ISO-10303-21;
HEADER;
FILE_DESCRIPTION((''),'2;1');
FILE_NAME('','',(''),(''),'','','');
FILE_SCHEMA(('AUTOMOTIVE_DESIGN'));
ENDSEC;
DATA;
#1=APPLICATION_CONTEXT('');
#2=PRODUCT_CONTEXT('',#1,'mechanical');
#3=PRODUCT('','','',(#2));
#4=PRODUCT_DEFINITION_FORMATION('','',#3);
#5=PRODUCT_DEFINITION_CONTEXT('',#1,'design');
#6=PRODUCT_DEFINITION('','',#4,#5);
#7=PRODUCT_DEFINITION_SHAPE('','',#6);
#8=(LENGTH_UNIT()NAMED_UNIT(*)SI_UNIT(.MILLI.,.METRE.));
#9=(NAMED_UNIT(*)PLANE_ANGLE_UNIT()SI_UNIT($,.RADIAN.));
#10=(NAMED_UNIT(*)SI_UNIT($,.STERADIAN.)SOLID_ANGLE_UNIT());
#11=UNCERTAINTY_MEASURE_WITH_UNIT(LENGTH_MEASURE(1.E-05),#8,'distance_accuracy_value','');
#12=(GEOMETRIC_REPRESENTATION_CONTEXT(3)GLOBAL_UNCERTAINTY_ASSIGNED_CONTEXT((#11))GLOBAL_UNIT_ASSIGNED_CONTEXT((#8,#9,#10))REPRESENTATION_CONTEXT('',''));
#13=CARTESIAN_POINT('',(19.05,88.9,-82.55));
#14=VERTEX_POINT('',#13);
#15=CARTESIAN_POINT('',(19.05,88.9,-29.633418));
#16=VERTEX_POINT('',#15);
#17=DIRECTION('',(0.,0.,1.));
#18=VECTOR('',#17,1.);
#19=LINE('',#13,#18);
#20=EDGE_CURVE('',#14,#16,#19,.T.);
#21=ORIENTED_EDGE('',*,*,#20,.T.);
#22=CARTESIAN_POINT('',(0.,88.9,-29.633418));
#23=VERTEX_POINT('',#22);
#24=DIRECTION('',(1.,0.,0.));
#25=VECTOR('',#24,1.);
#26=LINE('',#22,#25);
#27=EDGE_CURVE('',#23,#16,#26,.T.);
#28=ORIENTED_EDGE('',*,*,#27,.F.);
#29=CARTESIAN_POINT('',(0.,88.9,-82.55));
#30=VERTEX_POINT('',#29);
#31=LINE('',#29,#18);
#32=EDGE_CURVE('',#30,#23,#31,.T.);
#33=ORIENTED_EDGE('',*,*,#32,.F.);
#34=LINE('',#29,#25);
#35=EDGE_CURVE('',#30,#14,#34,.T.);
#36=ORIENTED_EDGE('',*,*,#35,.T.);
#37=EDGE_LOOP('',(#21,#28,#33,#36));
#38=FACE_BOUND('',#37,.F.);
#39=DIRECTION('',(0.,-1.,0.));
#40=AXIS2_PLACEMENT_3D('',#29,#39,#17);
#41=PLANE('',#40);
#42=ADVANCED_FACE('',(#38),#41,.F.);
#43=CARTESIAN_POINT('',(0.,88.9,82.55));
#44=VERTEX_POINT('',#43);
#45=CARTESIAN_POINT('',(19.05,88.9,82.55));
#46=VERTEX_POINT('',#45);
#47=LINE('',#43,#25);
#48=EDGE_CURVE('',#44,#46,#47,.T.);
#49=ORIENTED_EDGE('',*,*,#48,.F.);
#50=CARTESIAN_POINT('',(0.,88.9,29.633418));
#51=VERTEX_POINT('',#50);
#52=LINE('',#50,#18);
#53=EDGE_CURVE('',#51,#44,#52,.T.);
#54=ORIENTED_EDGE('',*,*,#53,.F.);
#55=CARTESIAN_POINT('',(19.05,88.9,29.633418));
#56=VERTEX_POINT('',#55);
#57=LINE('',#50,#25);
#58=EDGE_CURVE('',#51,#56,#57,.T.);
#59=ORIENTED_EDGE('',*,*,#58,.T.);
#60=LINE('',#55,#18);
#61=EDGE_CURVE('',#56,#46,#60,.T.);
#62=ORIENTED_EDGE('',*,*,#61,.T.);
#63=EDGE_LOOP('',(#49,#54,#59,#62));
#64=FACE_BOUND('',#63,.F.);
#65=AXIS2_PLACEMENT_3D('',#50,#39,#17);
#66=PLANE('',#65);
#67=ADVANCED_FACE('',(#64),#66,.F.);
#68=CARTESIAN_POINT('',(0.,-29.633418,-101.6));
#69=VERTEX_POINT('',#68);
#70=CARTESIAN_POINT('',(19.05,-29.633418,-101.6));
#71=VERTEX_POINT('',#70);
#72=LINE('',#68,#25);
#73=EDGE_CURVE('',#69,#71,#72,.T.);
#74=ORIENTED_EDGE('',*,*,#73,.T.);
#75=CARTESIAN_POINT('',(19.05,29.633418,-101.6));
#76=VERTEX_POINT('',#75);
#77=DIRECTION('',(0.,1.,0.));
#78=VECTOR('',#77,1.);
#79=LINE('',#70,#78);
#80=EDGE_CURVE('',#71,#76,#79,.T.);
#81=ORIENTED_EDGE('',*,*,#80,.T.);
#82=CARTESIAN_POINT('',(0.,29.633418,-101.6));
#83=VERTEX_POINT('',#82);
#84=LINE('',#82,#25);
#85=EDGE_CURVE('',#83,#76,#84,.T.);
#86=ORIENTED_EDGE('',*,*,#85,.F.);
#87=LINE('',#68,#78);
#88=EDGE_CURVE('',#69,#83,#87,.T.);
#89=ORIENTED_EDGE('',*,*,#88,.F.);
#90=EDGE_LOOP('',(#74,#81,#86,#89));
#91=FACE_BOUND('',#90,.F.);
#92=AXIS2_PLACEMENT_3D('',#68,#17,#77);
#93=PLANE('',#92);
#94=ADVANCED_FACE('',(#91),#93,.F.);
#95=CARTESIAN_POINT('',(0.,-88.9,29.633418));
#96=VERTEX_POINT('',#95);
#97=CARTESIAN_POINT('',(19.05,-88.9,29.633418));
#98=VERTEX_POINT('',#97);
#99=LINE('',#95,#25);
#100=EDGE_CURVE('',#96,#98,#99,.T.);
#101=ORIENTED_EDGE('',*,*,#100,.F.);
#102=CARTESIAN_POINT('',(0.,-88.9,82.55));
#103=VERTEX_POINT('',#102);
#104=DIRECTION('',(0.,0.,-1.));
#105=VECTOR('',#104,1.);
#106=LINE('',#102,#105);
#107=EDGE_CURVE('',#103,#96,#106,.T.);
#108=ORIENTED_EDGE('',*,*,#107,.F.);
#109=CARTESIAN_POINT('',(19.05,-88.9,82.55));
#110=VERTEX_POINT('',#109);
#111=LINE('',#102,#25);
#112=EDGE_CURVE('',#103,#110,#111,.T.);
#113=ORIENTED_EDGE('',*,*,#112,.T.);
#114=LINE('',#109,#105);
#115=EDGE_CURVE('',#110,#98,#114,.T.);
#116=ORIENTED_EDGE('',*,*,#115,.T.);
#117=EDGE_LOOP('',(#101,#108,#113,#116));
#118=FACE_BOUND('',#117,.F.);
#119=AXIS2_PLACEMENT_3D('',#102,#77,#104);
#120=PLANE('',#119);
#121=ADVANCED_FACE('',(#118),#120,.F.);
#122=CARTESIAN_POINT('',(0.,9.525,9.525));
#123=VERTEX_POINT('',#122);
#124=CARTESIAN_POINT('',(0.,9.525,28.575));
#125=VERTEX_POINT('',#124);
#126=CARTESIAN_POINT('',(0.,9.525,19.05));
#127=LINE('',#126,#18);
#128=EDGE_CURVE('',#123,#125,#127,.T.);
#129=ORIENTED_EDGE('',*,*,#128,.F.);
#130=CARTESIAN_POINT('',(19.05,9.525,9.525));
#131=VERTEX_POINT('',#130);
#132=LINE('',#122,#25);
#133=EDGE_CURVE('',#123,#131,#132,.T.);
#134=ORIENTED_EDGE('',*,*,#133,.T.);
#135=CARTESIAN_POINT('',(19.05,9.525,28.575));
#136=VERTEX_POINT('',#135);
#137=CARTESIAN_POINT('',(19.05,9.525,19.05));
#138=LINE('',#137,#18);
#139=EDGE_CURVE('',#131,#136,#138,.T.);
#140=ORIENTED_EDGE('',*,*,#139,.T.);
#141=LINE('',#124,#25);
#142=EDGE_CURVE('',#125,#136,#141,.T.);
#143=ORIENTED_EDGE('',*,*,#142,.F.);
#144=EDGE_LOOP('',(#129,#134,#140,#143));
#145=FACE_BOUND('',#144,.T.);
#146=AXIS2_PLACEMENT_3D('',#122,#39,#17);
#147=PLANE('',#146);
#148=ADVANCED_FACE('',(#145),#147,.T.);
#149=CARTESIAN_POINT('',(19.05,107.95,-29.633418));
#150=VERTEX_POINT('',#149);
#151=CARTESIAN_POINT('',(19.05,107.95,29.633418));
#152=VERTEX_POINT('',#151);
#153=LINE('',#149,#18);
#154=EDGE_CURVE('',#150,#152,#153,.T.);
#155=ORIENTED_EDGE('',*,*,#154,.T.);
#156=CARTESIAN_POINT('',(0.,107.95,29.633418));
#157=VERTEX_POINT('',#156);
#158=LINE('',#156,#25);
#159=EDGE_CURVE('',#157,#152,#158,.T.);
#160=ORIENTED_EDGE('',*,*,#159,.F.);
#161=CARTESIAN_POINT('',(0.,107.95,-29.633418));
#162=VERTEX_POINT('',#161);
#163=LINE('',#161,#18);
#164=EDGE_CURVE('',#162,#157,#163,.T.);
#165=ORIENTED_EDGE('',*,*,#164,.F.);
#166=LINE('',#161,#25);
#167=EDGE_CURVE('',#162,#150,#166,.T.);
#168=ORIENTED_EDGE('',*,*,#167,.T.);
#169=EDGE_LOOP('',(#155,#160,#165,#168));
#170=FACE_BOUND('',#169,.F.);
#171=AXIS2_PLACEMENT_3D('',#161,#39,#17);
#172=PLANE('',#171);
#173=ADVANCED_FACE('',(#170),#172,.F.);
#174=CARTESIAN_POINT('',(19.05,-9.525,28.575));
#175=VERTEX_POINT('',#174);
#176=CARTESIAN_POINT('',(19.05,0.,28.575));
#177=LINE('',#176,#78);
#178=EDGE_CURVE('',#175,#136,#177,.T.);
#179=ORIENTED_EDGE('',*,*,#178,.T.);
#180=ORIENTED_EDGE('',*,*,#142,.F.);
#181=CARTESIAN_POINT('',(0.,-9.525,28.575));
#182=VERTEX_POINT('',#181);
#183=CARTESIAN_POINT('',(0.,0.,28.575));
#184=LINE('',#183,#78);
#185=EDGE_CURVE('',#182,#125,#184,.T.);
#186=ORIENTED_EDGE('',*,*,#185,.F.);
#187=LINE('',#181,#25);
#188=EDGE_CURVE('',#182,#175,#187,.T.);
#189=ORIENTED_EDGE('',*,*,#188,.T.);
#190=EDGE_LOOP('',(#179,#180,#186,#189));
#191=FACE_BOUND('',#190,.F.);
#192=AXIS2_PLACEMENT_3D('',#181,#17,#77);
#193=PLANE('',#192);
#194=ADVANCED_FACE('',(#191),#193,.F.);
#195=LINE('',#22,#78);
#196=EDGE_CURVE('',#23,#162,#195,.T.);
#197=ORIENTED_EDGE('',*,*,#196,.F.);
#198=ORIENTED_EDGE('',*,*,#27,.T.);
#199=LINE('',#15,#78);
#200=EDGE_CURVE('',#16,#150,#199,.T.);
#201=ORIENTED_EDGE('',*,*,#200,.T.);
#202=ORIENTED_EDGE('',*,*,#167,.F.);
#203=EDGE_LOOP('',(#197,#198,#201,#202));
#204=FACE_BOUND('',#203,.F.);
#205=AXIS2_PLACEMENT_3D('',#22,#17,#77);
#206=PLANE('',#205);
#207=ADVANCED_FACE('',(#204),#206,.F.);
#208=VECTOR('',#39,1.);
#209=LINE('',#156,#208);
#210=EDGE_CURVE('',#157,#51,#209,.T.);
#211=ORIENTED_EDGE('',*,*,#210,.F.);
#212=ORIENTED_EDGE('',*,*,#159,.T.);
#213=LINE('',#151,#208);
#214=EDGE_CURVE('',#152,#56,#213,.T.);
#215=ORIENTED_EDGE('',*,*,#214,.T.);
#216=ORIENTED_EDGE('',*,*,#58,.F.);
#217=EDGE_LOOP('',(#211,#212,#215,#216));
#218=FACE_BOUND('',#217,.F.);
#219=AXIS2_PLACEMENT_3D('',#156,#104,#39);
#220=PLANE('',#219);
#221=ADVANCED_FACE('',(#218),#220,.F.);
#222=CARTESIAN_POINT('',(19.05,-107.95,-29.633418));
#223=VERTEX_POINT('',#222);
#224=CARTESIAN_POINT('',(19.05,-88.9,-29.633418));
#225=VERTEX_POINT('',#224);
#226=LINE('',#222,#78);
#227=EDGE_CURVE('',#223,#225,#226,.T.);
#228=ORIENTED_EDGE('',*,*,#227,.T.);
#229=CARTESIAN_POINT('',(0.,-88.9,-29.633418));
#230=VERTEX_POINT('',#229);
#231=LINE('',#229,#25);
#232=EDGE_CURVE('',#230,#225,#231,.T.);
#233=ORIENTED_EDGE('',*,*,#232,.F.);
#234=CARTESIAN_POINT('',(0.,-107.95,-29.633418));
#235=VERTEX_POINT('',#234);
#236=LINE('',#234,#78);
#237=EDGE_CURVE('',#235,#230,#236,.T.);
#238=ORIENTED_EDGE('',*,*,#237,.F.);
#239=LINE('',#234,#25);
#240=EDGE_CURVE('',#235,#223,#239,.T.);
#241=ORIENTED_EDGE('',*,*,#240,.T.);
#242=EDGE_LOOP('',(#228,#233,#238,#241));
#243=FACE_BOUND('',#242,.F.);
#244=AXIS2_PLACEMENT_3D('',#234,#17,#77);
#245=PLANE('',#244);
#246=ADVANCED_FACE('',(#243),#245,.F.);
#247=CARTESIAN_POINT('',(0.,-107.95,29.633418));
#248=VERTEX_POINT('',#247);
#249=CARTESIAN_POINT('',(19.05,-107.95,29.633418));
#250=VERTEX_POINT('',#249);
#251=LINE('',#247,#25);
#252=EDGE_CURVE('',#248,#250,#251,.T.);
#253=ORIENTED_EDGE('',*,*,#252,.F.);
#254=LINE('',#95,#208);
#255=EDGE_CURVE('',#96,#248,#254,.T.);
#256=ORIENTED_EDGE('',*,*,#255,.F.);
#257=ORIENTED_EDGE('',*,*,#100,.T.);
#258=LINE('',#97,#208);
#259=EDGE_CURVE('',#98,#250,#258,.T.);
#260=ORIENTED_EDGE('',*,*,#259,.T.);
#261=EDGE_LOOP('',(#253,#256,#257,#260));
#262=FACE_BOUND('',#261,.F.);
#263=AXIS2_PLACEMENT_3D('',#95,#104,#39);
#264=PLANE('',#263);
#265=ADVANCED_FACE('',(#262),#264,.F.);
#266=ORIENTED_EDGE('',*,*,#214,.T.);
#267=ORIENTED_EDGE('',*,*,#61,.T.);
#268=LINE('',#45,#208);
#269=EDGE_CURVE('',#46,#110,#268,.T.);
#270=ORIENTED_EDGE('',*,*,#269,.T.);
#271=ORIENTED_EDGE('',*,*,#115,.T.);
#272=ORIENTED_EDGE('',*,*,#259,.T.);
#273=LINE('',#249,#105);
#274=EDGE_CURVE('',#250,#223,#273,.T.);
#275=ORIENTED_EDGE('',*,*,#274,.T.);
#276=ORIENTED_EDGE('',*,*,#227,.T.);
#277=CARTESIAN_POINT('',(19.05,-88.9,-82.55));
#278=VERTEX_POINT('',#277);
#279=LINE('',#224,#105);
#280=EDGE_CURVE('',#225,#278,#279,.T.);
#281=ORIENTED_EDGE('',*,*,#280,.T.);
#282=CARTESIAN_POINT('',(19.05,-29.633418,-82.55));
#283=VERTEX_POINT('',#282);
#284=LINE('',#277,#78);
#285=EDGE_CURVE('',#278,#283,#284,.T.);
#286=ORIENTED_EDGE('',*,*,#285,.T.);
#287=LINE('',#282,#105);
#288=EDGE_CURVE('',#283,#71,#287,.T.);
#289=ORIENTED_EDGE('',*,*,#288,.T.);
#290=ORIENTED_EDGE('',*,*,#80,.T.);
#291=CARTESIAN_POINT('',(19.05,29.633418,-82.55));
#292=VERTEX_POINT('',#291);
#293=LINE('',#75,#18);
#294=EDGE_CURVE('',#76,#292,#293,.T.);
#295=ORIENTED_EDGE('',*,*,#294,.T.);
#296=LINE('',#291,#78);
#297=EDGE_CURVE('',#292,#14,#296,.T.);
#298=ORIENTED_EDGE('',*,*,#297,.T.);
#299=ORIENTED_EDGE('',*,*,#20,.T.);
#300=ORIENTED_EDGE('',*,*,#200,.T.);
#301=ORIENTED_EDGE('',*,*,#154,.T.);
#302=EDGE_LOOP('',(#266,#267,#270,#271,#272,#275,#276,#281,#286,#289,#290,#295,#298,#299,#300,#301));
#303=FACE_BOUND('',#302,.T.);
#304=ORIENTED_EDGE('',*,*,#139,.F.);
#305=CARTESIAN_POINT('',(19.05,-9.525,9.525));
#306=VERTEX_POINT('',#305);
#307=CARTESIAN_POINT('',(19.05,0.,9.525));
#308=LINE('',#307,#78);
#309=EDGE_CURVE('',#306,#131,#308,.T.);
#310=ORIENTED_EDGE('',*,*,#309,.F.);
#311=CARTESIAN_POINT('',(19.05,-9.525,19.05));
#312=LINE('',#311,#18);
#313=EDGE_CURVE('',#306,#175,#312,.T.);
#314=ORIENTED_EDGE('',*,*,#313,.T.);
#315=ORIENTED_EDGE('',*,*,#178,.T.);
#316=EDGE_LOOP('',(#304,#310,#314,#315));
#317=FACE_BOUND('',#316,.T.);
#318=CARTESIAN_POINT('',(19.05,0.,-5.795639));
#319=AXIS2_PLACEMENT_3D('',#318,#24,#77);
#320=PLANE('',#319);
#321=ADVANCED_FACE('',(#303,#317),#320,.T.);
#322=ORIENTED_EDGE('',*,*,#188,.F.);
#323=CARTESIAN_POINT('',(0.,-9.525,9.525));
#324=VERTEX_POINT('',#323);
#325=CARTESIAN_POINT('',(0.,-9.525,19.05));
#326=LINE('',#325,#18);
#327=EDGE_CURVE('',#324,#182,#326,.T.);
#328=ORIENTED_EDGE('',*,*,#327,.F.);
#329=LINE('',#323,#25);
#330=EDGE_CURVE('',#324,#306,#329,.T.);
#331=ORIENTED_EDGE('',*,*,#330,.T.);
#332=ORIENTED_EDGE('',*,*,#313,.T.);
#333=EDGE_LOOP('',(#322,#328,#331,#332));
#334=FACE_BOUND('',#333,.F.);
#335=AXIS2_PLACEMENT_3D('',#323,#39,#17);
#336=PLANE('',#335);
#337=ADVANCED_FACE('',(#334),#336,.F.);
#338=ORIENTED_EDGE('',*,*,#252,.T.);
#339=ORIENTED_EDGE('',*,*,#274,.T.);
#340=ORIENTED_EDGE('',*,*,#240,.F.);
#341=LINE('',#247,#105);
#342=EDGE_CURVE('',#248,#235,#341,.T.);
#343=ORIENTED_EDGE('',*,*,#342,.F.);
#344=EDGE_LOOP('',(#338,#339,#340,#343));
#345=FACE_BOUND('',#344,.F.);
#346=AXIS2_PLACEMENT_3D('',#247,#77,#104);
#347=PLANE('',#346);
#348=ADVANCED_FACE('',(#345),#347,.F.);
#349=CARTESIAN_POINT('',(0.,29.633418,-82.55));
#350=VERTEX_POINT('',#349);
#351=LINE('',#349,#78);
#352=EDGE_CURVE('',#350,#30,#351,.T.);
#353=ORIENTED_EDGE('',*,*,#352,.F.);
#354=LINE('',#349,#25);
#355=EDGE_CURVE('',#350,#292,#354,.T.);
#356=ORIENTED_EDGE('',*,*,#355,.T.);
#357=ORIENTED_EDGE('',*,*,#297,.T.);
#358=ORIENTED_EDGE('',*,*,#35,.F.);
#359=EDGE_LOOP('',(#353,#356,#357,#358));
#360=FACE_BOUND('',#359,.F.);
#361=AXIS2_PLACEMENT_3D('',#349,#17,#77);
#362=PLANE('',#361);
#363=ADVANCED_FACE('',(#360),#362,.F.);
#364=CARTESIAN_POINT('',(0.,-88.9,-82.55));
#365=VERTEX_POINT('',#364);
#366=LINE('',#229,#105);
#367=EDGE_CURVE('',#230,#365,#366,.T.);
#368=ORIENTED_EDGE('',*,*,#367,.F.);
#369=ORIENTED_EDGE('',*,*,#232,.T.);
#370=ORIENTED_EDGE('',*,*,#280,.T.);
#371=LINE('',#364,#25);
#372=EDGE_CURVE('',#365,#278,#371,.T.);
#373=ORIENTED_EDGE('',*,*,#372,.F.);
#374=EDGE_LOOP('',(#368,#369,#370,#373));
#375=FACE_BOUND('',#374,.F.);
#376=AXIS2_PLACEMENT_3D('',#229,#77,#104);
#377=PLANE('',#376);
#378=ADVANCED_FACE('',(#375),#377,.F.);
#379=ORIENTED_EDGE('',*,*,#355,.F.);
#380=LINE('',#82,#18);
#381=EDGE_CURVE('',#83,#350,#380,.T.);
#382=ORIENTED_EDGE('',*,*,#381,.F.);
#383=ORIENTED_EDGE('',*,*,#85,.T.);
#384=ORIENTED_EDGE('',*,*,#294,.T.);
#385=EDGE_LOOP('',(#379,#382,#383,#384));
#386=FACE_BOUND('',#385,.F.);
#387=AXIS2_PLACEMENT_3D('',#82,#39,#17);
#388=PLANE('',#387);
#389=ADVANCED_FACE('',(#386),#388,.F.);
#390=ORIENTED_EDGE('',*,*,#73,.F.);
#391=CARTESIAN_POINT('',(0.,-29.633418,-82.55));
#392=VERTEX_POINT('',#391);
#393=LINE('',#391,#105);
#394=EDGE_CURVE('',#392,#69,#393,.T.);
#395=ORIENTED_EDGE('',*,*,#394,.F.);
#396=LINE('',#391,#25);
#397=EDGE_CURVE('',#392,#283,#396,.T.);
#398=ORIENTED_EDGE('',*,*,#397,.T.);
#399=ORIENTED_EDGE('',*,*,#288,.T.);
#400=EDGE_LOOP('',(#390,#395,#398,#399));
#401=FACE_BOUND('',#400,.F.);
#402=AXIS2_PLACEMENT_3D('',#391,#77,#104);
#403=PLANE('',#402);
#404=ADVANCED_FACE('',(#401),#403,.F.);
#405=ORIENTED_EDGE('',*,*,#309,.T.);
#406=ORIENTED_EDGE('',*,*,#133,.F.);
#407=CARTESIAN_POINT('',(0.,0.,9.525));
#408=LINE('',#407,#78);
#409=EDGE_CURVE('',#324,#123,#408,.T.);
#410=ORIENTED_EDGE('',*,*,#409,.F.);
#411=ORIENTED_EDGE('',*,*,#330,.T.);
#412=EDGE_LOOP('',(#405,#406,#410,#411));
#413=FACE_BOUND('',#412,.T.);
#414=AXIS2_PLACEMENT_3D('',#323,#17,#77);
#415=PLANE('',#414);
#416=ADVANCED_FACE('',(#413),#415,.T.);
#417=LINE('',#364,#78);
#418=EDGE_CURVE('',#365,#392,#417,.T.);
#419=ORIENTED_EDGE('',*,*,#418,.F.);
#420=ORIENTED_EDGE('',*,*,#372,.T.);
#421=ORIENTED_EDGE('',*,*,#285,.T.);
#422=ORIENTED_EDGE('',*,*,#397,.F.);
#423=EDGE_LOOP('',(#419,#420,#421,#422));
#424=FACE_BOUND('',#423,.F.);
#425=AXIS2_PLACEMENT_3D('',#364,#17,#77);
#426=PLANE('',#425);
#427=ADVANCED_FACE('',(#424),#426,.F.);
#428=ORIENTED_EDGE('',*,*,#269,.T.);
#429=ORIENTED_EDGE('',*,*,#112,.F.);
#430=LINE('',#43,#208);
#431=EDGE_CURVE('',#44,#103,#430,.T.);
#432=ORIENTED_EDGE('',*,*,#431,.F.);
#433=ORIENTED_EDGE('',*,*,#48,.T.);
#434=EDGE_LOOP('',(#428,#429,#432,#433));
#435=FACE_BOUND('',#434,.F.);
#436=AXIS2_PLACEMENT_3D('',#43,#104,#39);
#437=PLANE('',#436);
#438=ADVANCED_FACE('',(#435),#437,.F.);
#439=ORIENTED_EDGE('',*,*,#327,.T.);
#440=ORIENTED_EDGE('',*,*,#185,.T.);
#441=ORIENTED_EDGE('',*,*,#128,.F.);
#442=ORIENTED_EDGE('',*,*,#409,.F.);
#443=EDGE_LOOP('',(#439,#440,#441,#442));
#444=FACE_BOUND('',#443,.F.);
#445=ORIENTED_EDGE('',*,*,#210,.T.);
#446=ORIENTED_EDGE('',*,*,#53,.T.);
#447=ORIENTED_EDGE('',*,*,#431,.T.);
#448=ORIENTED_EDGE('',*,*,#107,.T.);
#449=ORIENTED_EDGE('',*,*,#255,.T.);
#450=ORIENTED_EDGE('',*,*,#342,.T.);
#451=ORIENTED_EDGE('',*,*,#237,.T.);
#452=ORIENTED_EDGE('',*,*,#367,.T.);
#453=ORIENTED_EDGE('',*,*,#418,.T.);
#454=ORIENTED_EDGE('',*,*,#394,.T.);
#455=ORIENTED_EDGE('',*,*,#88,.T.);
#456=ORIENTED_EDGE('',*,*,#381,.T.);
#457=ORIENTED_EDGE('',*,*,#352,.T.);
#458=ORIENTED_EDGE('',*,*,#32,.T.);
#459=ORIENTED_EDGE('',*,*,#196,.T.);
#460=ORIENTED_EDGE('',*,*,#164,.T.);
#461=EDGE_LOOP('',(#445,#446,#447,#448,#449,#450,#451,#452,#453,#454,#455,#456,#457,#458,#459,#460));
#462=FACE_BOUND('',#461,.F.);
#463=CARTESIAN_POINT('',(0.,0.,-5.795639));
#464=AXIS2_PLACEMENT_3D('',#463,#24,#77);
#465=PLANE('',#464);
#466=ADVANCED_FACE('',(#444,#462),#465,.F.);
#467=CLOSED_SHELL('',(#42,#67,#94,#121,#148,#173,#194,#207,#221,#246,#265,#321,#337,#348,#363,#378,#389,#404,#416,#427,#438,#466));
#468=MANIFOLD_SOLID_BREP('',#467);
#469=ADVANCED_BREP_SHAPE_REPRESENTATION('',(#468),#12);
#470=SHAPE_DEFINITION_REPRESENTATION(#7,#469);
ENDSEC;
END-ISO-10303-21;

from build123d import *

# Parameters (mm, degrees)
F0_W     = 19.05
F0_H     = 19.05
F1_DEPTH = 19.05


with BuildPart() as f1:
    # F0 (on Right) → F1 (new body)
    with BuildSketch(Plane.YZ):
        Polygon((88.9, 82.55), (-88.9, 82.55), (-88.9, 29.633418), (-107.95, 29.633418), (-107.95, 0), (-107.95, -29.633418), (-88.9, -29.633418), (-88.9, -82.55), (-29.633418, -82.55), (-29.633418, -101.6), (0, -101.6), (29.633418, -101.6), (29.633418, -82.55), (88.9, -82.55), (88.9, -29.633418), (107.95, -29.633418), (107.95, 0), (107.95, 29.633418), (88.9, 29.633418), align=None)
        with Locations((0, 19.05)):
            Rectangle(F0_W, F0_H, mode=Mode.SUBTRACT)
    extrude(amount=F1_DEPTH)


solid = f1.part
